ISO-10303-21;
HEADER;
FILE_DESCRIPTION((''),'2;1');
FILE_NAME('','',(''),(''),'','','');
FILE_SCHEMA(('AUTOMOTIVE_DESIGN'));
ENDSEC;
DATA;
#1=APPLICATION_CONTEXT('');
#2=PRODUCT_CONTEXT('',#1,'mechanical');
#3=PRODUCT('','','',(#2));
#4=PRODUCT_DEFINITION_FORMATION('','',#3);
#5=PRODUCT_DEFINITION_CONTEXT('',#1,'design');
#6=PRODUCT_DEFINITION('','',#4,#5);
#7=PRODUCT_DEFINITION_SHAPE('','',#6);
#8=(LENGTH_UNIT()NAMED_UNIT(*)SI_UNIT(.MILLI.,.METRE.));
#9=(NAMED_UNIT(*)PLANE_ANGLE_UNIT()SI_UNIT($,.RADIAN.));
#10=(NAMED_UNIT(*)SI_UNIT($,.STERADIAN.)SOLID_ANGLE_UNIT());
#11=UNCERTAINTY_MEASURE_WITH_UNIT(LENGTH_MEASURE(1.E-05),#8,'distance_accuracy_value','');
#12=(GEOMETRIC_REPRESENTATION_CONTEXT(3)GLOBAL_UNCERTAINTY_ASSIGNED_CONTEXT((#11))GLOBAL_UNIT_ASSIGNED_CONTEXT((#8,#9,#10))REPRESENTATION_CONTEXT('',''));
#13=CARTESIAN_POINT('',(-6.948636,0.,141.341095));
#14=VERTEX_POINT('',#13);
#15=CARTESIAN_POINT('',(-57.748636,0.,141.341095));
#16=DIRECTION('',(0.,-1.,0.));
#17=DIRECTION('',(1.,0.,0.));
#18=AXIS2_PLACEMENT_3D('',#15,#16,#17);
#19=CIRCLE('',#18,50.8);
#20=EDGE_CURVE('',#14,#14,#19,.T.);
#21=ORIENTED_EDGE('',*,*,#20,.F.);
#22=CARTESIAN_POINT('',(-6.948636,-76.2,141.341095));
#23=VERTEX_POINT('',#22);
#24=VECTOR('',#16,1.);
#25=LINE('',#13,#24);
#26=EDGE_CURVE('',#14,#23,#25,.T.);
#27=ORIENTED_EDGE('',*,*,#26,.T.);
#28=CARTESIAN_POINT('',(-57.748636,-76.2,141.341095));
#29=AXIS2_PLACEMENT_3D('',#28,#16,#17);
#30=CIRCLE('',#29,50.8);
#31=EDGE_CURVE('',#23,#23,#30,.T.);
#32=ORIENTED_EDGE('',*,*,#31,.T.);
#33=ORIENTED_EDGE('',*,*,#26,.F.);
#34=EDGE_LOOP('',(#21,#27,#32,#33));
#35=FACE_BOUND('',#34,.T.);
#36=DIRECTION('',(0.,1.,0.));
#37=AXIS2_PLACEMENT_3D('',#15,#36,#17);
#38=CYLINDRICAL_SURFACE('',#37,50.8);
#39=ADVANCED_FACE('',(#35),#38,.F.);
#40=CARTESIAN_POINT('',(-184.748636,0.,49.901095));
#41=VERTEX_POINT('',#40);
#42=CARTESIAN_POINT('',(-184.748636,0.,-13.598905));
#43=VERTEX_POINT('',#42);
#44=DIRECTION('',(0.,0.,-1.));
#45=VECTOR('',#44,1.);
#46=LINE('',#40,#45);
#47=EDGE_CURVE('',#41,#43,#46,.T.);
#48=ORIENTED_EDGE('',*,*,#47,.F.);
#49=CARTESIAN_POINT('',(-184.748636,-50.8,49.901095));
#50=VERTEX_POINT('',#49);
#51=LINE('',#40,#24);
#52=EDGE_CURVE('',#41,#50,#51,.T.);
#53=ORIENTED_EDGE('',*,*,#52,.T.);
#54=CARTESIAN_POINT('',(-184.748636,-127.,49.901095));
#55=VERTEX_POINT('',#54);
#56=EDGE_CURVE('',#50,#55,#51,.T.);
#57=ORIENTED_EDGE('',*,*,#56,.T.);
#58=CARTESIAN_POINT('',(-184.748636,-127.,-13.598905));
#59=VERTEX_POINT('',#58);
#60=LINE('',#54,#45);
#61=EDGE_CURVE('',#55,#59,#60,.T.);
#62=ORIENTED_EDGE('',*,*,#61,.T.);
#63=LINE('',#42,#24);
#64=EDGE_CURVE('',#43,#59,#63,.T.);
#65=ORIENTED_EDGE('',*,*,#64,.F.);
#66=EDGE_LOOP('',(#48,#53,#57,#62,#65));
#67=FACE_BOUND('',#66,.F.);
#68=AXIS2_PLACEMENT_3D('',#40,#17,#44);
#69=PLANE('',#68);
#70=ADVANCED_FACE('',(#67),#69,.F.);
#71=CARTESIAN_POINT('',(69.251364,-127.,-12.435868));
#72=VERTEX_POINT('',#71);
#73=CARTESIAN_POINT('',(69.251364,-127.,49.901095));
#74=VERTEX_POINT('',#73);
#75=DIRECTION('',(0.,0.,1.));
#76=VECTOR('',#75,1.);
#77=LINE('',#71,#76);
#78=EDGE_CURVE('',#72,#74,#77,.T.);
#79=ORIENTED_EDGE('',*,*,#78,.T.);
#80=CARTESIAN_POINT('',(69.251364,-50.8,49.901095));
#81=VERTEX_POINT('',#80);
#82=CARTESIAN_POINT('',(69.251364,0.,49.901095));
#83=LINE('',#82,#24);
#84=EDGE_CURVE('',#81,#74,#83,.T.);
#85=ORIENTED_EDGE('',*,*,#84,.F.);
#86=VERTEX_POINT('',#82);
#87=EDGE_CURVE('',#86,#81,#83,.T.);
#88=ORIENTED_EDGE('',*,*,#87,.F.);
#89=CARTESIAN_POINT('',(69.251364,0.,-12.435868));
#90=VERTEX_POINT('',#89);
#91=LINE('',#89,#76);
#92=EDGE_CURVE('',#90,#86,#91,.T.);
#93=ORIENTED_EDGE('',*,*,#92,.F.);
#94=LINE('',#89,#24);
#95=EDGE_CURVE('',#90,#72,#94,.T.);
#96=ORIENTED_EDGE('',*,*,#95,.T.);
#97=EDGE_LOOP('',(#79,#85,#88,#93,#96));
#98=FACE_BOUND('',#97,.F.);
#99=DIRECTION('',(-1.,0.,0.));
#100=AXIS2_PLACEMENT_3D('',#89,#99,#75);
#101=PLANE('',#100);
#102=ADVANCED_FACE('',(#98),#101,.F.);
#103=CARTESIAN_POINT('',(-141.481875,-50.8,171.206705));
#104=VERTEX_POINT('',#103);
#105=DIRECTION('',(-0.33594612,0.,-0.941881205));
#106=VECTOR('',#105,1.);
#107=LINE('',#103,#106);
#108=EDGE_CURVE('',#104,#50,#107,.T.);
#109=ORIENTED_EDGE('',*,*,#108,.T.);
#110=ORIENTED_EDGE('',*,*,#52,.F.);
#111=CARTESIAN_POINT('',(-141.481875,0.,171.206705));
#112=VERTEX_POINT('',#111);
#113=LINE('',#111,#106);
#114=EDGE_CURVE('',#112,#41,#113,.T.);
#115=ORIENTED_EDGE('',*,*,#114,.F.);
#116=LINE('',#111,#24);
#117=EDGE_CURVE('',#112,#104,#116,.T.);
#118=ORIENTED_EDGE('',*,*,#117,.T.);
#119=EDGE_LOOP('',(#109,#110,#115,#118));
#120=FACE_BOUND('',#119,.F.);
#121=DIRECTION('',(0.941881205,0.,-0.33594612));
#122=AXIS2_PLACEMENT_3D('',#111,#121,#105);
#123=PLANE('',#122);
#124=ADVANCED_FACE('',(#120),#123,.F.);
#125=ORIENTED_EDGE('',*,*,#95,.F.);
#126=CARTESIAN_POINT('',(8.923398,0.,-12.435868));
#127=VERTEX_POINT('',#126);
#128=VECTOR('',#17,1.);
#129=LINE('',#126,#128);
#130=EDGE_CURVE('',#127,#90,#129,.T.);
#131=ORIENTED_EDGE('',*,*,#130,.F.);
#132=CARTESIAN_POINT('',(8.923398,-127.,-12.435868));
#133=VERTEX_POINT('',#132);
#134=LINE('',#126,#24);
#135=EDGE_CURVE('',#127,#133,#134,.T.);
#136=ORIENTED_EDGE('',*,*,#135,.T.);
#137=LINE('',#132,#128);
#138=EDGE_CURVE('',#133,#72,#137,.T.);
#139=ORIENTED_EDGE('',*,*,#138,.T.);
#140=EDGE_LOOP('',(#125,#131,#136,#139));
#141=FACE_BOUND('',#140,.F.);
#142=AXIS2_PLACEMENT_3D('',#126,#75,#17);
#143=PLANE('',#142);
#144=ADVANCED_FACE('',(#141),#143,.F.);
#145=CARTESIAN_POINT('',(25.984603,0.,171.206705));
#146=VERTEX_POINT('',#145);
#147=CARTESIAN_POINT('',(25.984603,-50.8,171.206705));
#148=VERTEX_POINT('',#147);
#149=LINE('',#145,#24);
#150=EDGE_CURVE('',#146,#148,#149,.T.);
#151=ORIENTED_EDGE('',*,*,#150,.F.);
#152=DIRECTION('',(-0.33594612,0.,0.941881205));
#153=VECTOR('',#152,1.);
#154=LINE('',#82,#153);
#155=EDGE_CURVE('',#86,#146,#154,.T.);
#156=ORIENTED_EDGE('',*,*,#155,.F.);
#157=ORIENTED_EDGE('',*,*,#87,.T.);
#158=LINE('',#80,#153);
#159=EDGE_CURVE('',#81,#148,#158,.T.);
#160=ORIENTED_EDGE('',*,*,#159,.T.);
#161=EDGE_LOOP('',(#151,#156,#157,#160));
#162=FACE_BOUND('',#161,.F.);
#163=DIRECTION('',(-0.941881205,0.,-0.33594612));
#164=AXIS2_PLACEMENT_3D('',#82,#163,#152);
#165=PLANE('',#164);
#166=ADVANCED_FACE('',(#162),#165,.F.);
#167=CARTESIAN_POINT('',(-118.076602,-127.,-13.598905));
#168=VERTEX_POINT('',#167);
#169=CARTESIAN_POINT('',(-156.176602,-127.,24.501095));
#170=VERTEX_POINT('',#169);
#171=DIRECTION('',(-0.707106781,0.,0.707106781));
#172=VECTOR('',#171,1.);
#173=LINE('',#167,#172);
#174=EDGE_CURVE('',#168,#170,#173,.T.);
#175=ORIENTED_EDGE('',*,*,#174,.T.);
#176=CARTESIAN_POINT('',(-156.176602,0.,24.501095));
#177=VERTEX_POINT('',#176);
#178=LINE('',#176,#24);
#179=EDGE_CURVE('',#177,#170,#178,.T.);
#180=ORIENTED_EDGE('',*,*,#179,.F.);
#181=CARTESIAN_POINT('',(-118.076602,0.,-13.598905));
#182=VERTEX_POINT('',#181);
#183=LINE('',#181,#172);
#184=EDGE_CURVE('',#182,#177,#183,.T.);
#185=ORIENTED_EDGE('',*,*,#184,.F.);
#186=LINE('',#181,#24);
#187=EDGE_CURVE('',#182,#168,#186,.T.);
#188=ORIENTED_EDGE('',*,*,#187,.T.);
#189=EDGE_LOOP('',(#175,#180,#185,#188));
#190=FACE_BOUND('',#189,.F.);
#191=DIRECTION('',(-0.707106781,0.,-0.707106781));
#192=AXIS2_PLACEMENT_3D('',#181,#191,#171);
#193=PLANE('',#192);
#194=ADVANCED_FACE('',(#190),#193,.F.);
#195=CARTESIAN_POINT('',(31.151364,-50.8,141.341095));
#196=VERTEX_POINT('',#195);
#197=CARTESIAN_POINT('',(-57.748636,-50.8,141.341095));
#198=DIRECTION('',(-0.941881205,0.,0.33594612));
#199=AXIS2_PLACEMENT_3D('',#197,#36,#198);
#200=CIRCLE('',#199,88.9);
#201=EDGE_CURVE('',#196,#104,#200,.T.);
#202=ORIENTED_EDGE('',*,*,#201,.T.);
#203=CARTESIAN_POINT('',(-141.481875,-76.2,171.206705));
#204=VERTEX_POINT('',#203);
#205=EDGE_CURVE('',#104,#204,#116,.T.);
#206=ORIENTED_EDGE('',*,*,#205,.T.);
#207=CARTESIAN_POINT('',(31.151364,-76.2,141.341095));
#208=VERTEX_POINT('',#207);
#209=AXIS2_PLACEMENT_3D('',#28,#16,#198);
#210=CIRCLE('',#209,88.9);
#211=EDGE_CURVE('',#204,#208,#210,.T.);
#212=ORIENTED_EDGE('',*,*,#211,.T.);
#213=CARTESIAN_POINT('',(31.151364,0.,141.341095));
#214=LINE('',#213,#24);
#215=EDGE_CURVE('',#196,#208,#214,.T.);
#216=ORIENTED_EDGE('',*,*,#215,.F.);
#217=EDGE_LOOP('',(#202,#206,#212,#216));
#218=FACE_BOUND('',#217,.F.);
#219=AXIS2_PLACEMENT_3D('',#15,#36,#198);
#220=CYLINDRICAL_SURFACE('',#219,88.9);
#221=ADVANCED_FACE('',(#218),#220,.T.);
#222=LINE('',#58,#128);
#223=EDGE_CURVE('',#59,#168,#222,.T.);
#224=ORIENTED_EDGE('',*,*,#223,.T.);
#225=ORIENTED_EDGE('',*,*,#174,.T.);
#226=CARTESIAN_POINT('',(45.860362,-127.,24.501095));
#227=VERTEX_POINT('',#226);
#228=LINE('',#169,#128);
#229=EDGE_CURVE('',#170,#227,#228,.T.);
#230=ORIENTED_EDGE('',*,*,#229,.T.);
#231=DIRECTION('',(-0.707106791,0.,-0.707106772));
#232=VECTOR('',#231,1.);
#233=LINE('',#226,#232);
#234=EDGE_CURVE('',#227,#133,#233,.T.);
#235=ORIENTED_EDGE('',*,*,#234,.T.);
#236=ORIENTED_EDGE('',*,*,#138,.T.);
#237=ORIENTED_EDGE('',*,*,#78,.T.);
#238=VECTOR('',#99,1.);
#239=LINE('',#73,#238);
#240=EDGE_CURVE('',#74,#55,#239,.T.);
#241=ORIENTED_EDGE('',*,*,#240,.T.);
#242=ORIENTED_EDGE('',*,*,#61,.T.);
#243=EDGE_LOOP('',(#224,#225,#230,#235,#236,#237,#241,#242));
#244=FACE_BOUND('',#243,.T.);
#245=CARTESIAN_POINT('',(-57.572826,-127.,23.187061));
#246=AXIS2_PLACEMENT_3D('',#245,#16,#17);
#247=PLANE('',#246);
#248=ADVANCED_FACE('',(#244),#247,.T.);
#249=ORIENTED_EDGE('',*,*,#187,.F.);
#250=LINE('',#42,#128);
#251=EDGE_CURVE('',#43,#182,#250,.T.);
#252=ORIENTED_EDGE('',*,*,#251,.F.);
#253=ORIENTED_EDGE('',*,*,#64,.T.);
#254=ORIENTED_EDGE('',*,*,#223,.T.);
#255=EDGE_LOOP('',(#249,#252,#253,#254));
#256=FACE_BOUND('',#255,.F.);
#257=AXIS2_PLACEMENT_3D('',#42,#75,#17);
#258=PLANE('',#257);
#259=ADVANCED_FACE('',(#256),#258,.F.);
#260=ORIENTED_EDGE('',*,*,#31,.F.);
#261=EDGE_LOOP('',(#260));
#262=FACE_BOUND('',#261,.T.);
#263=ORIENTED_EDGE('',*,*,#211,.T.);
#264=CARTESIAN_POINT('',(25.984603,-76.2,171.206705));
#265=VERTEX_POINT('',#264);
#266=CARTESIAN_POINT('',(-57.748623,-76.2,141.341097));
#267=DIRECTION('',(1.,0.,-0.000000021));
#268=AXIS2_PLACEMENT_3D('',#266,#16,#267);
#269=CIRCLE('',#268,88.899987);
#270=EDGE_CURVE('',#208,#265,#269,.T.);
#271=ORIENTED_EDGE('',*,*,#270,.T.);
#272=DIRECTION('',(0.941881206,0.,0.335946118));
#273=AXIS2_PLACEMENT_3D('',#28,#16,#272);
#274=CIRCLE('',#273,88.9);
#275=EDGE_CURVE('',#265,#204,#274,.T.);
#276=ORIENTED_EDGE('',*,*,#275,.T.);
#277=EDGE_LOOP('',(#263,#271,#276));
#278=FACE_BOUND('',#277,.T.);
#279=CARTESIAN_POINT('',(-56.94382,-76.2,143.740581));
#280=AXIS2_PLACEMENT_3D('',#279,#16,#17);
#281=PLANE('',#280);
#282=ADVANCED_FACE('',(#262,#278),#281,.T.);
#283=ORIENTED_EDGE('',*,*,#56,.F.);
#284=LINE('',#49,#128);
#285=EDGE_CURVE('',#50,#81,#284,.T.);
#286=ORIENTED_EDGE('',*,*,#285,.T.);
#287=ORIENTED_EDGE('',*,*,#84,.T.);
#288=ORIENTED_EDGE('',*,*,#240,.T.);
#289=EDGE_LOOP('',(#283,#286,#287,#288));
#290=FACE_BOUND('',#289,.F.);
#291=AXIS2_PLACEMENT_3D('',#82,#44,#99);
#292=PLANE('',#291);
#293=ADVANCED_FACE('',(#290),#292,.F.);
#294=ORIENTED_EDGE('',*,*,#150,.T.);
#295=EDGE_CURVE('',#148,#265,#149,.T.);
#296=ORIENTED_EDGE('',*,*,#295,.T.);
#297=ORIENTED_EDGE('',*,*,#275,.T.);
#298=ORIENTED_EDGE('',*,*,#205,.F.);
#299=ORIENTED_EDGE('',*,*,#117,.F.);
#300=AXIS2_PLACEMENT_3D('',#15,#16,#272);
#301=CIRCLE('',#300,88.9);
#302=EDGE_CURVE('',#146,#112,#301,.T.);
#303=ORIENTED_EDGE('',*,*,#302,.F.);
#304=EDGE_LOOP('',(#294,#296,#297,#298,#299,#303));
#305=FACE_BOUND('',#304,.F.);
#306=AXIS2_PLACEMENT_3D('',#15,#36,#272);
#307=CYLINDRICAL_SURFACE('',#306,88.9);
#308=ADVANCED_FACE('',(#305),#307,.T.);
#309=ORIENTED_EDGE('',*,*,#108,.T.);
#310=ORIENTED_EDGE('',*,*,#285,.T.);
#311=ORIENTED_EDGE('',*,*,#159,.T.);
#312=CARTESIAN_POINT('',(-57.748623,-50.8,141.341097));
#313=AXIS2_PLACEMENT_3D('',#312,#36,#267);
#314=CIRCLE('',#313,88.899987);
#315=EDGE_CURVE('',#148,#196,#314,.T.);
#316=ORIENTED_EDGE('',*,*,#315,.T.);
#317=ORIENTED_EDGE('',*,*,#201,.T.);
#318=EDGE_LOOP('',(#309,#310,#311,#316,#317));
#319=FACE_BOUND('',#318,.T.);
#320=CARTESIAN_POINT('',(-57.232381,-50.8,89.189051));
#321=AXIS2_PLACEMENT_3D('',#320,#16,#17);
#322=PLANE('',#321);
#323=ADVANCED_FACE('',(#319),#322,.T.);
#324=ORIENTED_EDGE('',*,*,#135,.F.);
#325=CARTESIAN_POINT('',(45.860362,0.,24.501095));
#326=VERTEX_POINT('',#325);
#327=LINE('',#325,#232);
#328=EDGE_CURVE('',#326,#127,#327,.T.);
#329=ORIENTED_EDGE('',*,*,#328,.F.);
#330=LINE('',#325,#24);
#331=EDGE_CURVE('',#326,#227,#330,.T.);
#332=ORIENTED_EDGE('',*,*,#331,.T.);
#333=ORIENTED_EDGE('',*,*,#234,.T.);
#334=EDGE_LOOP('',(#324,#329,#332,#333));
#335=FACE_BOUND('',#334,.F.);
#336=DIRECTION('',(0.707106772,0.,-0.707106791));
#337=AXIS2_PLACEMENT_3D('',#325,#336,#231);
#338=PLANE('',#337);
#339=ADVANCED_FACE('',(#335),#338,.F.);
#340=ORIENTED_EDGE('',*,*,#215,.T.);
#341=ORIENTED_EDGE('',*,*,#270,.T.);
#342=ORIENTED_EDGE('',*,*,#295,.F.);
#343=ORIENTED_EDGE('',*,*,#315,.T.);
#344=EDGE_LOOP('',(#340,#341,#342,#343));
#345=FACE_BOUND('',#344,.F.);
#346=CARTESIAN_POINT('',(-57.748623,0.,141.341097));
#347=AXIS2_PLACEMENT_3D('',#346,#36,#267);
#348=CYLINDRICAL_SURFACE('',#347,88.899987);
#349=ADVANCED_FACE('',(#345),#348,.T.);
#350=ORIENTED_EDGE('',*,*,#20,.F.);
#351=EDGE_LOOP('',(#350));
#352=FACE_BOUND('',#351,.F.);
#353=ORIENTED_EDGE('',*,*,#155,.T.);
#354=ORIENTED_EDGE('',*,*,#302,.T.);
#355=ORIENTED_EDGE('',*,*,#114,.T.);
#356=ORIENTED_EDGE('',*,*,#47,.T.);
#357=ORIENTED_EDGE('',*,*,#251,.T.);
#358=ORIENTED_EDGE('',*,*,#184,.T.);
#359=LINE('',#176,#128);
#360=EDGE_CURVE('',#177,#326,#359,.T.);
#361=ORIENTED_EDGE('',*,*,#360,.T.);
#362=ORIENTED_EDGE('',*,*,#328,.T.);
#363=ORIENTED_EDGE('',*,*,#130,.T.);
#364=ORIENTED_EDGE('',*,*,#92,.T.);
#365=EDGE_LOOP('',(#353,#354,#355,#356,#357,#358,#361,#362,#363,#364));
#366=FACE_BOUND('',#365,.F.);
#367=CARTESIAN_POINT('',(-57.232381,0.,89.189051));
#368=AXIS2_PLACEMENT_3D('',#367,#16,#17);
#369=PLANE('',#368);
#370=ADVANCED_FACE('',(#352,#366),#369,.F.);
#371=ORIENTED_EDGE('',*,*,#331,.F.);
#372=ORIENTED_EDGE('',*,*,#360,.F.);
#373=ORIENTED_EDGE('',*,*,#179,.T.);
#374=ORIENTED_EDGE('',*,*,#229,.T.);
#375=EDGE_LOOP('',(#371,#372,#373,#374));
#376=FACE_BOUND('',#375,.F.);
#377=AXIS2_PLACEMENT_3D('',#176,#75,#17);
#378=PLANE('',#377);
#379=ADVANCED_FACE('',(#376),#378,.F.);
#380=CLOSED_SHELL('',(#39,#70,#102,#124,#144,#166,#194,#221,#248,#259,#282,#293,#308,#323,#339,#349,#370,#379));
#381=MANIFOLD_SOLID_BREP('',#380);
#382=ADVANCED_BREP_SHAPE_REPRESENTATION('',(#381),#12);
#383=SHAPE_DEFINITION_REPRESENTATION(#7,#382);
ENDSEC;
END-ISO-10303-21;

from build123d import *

# Parameters (mm, degrees)
F1_DEPTH = 127
F0_R     = 50.8
F2_DEPTH = 50.8
F3_DEPTH = 76.2


with BuildPart() as f1:
    # F0 (on Front) → F1 (new body)
    with BuildSketch(Plane.XZ):
        Polygon((8.923398, -12.435868), (69.251364, -12.435868), (69.251364, 49.901095), (-184.748636, 49.901095), (-184.748636, -13.598905), (-118.076602, -13.598905), (-156.176602, 24.501095), (45.860362, 24.501095), align=None)
    extrude(amount=F1_DEPTH)

    # F0 (on Front) → F2 (join)
    with BuildSketch(Plane.XZ):
        with BuildLine():
            Line((-184.748636, 49.901095), (69.251364, 49.901095))
            Line((69.251364, 49.901095), (25.984603, 171.206705))
            ThreePointArc((25.984603, 171.206705), (29.850151, 156.495716), (31.151364, 141.341095))
            ThreePointArc((31.151364, 141.341095), (-72.903256, 53.742308), (-141.481875, 171.206705))
            Line((-141.481875, 171.206705), (-184.748636, 49.901095))
        make_face()
        with BuildLine():
            ThreePointArc((31.151364, 141.341095), (29.850151, 156.495716), (25.984603, 171.206705))
            ThreePointArc((25.984603, 171.206705), (-57.748636, 230.241095), (-141.481875, 171.206705))
            ThreePointArc((-141.481875, 171.206705), (-72.903256, 53.742308), (31.151364, 141.341095))
        make_face()
        with Locations((-57.748636, 141.341095)):
            Circle(F0_R, mode=Mode.SUBTRACT)
    extrude(amount=F2_DEPTH)

    # F0 (on Front) → F3 (join)
    with BuildSketch(Plane.XZ):
        with BuildLine():
            ThreePointArc((31.151364, 141.341095), (29.850151, 156.495716), (25.984603, 171.206705))
            ThreePointArc((25.984603, 171.206705), (-57.748636, 230.241095), (-141.481875, 171.206705))
            ThreePointArc((-141.481875, 171.206705), (-72.903256, 53.742308), (31.151364, 141.341095))
        make_face()
        with Locations((-57.748636, 141.341095)):
            Circle(F0_R, mode=Mode.SUBTRACT)
    extrude(amount=F3_DEPTH)


solid = f1.part
